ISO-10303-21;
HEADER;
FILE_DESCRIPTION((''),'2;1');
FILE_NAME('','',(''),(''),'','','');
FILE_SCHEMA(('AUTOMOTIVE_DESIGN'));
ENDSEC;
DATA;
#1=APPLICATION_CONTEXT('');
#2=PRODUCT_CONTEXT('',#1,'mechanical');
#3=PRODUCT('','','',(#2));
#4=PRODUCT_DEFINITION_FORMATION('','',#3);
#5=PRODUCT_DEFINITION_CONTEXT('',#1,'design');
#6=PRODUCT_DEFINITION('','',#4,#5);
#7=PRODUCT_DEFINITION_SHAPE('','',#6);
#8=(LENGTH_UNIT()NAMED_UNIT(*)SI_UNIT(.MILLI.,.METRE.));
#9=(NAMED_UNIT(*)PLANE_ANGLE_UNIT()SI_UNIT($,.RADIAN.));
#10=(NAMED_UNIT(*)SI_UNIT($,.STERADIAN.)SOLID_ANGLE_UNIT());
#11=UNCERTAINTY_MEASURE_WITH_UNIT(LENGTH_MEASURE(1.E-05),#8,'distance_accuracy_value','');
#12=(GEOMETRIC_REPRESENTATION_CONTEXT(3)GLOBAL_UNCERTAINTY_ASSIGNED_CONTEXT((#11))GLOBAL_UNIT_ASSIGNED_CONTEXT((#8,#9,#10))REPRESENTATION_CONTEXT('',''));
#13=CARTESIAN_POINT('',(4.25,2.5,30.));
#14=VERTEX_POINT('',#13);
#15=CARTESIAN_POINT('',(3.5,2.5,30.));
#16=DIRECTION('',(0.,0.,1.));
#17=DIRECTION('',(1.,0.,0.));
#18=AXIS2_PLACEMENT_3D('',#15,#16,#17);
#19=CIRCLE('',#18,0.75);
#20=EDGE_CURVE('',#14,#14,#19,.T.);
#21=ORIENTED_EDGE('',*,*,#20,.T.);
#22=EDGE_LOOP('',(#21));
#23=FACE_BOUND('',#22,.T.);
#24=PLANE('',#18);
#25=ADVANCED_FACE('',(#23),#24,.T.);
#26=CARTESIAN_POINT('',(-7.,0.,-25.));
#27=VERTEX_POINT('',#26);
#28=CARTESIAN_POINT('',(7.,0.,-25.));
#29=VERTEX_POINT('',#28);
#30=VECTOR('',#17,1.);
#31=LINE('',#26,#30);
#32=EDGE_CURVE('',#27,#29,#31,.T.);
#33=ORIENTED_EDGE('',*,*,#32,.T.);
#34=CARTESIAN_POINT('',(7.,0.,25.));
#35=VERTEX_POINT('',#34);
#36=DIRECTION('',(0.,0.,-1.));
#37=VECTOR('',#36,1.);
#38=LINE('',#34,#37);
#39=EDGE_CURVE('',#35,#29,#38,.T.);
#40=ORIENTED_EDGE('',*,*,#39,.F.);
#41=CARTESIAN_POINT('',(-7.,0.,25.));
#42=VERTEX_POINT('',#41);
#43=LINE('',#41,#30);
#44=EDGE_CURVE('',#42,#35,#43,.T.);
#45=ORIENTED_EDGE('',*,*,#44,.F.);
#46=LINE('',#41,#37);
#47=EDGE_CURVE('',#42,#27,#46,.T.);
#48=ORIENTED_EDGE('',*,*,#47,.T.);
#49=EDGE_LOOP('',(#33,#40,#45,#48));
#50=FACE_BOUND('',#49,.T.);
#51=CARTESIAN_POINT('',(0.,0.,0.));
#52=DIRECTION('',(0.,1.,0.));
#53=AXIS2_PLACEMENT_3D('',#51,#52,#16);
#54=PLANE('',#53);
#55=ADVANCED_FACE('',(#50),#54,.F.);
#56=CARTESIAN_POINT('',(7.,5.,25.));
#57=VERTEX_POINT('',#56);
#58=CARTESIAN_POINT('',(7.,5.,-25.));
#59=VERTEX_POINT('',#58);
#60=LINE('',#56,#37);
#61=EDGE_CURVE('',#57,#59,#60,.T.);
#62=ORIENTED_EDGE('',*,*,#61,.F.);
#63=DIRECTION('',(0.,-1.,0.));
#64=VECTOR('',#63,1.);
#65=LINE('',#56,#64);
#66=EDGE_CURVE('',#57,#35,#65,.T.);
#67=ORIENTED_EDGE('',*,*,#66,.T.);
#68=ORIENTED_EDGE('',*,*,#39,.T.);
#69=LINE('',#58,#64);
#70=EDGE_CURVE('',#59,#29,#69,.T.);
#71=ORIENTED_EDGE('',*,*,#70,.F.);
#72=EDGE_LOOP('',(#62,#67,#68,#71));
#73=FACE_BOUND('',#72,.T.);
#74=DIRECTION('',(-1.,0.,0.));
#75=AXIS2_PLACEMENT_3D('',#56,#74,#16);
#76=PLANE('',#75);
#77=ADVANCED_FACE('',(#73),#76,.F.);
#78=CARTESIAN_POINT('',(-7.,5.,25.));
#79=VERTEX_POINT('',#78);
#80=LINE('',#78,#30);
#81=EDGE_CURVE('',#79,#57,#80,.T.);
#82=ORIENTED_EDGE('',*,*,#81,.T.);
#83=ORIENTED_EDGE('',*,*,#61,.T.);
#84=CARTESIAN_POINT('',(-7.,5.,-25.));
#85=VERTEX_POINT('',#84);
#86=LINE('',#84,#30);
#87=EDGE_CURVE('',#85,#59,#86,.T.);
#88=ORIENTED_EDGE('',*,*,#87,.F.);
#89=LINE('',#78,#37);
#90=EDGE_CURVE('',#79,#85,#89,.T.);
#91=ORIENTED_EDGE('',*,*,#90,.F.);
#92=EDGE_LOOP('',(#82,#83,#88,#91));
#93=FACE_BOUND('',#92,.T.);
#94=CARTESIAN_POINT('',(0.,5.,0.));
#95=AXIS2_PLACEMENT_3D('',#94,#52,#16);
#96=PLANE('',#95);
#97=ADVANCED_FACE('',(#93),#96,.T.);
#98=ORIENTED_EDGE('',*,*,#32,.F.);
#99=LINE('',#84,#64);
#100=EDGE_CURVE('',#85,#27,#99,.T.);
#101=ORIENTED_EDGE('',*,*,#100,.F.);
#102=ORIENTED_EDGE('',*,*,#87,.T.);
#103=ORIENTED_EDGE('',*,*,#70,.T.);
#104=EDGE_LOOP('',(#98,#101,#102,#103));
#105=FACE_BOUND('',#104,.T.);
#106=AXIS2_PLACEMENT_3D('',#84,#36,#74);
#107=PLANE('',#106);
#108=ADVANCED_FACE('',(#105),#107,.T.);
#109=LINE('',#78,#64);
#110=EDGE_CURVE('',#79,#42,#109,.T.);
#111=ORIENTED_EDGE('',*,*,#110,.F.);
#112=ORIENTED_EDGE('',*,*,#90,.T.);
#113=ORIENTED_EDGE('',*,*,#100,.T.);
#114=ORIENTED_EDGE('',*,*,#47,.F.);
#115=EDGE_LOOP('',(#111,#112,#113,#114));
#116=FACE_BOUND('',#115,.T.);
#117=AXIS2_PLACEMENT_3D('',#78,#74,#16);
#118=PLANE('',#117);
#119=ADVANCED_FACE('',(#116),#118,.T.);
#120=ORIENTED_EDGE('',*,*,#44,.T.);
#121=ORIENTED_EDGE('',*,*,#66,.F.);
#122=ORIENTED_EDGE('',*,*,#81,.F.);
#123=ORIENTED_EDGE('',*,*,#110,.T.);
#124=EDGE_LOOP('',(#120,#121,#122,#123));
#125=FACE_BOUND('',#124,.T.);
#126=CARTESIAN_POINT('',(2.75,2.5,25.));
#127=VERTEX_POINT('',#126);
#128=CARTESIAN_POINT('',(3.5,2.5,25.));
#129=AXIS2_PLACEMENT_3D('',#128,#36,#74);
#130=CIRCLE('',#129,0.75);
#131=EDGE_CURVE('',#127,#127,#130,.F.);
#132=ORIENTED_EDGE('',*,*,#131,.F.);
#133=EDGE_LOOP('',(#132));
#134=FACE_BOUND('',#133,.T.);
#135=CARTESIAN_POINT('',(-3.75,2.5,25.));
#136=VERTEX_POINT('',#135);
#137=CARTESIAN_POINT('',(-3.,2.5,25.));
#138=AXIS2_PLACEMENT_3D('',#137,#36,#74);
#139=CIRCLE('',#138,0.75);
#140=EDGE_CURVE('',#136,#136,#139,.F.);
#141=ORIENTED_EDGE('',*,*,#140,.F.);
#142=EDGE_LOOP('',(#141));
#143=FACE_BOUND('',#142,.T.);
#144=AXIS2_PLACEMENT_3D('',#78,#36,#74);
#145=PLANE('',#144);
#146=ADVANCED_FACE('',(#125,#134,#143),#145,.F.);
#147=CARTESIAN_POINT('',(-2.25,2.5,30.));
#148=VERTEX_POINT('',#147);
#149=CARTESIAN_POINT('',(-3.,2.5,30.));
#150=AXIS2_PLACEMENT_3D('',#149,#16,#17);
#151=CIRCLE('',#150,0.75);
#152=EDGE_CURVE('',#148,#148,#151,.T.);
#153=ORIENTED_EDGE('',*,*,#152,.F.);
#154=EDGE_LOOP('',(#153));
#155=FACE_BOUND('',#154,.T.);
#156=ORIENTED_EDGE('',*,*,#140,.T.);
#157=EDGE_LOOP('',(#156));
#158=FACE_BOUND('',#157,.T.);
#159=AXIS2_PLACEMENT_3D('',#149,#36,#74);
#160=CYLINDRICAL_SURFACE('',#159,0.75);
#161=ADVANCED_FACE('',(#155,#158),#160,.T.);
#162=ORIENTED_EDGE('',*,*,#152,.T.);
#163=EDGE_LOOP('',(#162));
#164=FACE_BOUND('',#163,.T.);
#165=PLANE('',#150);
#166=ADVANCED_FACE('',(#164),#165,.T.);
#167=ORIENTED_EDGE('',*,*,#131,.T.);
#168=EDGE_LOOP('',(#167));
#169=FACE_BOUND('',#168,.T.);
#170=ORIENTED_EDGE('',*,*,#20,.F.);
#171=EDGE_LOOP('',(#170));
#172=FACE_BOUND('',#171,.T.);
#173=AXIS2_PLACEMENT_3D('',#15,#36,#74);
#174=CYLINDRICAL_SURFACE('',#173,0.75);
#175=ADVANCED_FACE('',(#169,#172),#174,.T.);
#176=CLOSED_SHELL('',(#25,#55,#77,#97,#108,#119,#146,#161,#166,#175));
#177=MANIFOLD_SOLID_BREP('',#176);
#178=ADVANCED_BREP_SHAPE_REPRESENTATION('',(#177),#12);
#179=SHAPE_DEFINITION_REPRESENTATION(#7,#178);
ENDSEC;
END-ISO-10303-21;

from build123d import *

# Parameters (mm, degrees)
SKETCH1_W           = 14
SKETCH1_H           = 50
BOSS_EXTRUDE1_DEPTH = 5
SKETCH2_R           = 0.75
BOSS_EXTRUDE2_DEPTH = 5


with BuildPart() as part:
    # Sketch1 → Boss-Extrude1 (new body)
    with BuildSketch(Plane(origin=(0, 0, 0), x_dir=(1, 0, 0), z_dir=(0, 1, 0))):
        Rectangle(SKETCH1_W, SKETCH1_H)
    extrude(amount=BOSS_EXTRUDE1_DEPTH)

    # Sketch2 → Boss-Extrude2 (add)
    with BuildSketch(Plane.XY.offset(25)):
        with Locations(Location((-3, 2.5, 0), (0, 0, 180))):
            Circle(SKETCH2_R)
        with Locations(Location((3.5, 2.5, 0), (0, 0, 180))):
            Circle(SKETCH2_R)
    extrude(amount=BOSS_EXTRUDE2_DEPTH)


solid = part.part
